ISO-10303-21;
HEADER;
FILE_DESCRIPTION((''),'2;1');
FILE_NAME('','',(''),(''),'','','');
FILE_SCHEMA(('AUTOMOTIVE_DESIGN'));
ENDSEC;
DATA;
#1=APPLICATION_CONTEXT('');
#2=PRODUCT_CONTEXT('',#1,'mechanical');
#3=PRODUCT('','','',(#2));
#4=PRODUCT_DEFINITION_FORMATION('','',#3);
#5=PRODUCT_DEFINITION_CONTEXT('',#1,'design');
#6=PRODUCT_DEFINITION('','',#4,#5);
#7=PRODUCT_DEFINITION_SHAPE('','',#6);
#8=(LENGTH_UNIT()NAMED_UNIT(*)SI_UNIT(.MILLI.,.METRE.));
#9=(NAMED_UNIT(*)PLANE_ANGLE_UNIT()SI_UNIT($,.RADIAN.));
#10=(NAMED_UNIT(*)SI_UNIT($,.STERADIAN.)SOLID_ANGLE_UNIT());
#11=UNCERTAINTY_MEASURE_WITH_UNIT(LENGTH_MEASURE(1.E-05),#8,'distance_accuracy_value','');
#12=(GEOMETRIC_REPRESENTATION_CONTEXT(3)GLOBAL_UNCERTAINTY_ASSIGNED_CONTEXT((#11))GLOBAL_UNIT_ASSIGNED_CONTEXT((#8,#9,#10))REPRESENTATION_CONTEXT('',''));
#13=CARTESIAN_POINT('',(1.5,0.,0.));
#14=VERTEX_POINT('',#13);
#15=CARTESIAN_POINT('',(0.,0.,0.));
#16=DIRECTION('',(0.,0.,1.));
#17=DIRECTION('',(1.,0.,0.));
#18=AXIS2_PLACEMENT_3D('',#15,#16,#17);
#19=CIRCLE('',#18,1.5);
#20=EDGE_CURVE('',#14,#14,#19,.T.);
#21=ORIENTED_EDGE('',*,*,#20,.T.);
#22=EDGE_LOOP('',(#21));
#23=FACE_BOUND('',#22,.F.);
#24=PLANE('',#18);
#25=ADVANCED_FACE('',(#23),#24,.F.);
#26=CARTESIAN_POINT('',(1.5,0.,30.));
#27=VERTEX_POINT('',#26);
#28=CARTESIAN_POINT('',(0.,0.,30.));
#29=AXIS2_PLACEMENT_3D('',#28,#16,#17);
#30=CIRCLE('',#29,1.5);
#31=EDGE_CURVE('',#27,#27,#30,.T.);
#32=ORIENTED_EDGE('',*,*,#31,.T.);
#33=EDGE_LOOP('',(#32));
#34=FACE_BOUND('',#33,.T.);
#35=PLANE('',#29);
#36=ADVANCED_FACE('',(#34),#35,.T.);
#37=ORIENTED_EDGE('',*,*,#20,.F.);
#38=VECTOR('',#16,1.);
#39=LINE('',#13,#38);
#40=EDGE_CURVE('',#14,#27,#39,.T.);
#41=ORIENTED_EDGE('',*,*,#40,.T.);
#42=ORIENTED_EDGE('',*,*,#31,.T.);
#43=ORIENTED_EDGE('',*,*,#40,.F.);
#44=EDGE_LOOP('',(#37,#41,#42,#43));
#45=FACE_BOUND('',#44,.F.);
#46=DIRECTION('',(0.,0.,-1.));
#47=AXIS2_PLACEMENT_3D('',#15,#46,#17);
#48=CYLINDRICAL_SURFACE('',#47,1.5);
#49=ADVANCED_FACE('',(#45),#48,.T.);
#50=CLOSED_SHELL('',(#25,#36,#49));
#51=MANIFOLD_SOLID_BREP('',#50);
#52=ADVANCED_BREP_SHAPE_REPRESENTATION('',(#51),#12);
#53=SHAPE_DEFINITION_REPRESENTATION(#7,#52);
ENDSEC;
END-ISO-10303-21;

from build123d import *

# Parameters (mm, degrees)
SKETCH1_R           = 1.5
BOSS_EXTRUDE1_DEPTH = 30


with BuildPart() as part:
    # Sketch1 → Boss-Extrude1 (new body)
    with BuildSketch(Plane.XY):
        Circle(SKETCH1_R)
    extrude(amount=BOSS_EXTRUDE1_DEPTH)


solid = part.part
